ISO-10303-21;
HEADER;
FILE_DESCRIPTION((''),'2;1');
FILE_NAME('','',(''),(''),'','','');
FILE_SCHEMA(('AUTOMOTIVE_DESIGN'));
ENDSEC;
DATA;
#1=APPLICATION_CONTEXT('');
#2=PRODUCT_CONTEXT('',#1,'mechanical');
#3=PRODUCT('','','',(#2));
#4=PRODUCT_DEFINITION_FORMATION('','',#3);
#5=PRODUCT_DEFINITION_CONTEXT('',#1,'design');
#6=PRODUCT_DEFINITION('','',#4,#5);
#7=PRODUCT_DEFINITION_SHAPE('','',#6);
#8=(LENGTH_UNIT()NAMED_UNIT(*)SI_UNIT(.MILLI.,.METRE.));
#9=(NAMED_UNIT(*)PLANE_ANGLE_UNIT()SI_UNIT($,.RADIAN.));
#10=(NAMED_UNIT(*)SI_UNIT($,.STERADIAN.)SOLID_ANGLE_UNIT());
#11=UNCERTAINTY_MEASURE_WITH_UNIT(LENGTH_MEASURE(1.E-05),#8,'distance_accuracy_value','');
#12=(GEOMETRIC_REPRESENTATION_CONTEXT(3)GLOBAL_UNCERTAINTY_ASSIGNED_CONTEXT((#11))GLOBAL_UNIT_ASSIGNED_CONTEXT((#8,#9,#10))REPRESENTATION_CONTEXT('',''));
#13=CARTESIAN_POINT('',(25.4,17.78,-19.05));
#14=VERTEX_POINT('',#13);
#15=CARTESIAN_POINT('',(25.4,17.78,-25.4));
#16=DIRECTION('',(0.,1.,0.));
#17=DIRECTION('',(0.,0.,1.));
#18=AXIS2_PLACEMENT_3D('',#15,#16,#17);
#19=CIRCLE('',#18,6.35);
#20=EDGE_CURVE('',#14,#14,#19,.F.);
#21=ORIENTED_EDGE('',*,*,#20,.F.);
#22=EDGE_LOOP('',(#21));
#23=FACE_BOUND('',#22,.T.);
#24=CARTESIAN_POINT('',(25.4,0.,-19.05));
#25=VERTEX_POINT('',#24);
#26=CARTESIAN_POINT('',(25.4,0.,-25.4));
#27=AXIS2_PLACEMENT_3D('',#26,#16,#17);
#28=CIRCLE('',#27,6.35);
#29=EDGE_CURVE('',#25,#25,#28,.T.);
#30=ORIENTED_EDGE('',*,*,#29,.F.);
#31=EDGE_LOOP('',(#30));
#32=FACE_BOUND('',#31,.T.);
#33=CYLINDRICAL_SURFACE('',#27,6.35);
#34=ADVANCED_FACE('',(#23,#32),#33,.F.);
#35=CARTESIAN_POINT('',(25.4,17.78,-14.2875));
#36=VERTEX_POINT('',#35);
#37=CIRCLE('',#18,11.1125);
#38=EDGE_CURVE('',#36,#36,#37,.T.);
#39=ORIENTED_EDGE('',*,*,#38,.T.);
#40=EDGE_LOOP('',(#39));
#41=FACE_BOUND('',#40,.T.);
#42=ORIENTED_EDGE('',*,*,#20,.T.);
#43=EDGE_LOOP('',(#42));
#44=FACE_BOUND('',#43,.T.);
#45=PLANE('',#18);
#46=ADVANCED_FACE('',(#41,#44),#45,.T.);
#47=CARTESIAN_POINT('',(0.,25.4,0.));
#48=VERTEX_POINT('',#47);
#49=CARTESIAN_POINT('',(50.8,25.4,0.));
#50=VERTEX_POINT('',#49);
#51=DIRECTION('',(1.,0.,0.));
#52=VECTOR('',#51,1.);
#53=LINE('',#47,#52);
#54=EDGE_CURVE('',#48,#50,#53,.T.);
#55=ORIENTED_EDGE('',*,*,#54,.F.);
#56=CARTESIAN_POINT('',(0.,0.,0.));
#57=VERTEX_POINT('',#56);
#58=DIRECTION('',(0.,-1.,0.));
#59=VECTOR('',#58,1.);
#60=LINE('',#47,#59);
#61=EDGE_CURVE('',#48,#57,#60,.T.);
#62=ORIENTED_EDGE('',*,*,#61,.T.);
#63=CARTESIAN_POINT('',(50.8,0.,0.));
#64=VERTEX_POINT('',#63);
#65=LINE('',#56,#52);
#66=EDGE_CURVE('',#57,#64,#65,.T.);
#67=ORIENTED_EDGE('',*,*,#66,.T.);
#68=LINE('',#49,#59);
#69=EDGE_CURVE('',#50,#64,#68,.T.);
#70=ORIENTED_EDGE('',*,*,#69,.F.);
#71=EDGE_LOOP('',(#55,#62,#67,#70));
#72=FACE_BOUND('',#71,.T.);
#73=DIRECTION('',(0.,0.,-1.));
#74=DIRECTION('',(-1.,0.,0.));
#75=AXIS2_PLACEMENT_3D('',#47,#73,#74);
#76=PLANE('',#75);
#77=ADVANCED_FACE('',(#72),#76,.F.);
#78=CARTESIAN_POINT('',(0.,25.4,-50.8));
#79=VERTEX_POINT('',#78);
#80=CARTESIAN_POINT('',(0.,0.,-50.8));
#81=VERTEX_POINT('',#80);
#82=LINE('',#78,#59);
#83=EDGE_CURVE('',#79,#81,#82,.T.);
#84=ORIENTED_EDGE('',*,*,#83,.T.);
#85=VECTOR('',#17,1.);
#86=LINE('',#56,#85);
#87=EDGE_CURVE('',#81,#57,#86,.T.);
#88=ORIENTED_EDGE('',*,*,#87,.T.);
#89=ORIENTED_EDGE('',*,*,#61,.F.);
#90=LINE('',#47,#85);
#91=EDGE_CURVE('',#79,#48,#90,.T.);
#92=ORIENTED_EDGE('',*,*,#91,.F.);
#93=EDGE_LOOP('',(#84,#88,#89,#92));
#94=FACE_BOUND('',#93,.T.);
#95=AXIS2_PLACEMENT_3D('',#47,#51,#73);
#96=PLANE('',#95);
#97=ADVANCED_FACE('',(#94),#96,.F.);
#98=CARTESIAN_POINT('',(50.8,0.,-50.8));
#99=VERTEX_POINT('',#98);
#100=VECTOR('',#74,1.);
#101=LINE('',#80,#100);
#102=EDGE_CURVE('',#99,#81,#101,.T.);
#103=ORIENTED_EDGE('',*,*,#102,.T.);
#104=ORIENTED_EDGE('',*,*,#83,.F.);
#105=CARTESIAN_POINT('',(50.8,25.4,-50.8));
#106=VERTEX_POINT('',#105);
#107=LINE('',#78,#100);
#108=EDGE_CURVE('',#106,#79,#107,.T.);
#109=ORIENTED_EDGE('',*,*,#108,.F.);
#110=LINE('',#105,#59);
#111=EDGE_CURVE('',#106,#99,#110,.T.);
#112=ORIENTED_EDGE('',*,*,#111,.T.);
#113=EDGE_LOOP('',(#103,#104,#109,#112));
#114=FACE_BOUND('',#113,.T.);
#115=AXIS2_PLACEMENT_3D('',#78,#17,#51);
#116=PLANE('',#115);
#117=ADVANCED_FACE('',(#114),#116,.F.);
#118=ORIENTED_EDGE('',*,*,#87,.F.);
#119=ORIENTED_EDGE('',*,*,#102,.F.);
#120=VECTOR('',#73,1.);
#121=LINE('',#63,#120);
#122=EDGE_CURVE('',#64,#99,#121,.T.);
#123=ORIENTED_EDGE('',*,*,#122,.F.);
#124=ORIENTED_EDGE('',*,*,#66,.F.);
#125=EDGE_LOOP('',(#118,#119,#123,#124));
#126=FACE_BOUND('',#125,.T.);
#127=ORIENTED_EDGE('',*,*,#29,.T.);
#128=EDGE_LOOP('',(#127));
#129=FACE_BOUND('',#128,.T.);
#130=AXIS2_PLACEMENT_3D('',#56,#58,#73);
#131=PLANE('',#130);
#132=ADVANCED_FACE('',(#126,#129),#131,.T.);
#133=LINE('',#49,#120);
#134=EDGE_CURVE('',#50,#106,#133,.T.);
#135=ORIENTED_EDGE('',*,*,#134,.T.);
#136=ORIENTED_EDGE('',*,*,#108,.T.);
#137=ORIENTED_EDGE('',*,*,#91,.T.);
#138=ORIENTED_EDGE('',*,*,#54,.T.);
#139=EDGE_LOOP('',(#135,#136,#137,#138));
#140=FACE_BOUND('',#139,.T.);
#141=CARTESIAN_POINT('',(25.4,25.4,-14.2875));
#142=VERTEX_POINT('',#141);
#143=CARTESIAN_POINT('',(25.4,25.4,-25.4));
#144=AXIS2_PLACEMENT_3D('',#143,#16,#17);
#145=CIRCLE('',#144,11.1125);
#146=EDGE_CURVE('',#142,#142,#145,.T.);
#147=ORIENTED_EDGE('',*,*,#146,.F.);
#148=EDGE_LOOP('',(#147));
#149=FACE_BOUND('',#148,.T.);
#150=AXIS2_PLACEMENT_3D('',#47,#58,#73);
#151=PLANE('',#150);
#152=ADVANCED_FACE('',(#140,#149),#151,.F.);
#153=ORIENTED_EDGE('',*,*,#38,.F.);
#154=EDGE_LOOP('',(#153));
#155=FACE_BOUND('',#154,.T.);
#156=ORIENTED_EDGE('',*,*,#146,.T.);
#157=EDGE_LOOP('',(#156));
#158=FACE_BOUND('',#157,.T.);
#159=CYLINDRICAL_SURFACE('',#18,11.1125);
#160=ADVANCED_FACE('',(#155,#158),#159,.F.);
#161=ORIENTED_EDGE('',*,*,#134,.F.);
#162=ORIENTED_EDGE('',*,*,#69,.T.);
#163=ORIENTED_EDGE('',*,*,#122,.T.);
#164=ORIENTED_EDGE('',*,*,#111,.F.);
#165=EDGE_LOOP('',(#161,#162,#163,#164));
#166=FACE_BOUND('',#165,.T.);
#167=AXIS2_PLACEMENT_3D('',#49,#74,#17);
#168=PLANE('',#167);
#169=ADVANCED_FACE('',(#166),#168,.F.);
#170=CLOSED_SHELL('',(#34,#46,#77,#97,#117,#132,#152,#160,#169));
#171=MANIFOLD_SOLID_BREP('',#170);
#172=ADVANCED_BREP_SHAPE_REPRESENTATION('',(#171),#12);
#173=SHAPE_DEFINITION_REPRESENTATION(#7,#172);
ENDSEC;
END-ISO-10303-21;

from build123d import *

# Parameters (mm, degrees)
SKETCH1_W           = 50.8
SKETCH1_H           = 50.8
BOSS_EXTRUDE1_DEPTH = 25.4
SKETCH6_R           = 6.35
CUT_EXTRUDE1_DEPTH  = 25.4
SKETCH7_R           = 11.1125
CUT_EXTRUDE2_DEPTH  = 7.62


with BuildPart() as part:
    # Sketch1 → Boss-Extrude1 (new body)
    with BuildSketch(Plane(origin=(0, 0, 0), x_dir=(1, 0, 0), z_dir=(0, 1, 0))):
        with Locations((25.4, 25.4)):
            Rectangle(SKETCH1_W, SKETCH1_H)
    extrude(amount=BOSS_EXTRUDE1_DEPTH)

    # Sketch6 → Cut-Extrude1 (cut)
    with BuildSketch(Plane(origin=(0, 25.4, 0), x_dir=(1, 0, 0), z_dir=(0, 1, 0))):
        with Locations((25.4, 25.4)):
            Circle(SKETCH6_R)
    extrude(amount=-CUT_EXTRUDE1_DEPTH, mode=Mode.SUBTRACT)

    # Sketch7 → Cut-Extrude2 (cut)
    with BuildSketch(Plane(origin=(0, 25.4, 0), x_dir=(1, 0, 0), z_dir=(0, 1, 0))):
        with Locations((25.4, 25.4)):
            Circle(SKETCH7_R)
    extrude(amount=-CUT_EXTRUDE2_DEPTH, mode=Mode.SUBTRACT)


solid = part.part
